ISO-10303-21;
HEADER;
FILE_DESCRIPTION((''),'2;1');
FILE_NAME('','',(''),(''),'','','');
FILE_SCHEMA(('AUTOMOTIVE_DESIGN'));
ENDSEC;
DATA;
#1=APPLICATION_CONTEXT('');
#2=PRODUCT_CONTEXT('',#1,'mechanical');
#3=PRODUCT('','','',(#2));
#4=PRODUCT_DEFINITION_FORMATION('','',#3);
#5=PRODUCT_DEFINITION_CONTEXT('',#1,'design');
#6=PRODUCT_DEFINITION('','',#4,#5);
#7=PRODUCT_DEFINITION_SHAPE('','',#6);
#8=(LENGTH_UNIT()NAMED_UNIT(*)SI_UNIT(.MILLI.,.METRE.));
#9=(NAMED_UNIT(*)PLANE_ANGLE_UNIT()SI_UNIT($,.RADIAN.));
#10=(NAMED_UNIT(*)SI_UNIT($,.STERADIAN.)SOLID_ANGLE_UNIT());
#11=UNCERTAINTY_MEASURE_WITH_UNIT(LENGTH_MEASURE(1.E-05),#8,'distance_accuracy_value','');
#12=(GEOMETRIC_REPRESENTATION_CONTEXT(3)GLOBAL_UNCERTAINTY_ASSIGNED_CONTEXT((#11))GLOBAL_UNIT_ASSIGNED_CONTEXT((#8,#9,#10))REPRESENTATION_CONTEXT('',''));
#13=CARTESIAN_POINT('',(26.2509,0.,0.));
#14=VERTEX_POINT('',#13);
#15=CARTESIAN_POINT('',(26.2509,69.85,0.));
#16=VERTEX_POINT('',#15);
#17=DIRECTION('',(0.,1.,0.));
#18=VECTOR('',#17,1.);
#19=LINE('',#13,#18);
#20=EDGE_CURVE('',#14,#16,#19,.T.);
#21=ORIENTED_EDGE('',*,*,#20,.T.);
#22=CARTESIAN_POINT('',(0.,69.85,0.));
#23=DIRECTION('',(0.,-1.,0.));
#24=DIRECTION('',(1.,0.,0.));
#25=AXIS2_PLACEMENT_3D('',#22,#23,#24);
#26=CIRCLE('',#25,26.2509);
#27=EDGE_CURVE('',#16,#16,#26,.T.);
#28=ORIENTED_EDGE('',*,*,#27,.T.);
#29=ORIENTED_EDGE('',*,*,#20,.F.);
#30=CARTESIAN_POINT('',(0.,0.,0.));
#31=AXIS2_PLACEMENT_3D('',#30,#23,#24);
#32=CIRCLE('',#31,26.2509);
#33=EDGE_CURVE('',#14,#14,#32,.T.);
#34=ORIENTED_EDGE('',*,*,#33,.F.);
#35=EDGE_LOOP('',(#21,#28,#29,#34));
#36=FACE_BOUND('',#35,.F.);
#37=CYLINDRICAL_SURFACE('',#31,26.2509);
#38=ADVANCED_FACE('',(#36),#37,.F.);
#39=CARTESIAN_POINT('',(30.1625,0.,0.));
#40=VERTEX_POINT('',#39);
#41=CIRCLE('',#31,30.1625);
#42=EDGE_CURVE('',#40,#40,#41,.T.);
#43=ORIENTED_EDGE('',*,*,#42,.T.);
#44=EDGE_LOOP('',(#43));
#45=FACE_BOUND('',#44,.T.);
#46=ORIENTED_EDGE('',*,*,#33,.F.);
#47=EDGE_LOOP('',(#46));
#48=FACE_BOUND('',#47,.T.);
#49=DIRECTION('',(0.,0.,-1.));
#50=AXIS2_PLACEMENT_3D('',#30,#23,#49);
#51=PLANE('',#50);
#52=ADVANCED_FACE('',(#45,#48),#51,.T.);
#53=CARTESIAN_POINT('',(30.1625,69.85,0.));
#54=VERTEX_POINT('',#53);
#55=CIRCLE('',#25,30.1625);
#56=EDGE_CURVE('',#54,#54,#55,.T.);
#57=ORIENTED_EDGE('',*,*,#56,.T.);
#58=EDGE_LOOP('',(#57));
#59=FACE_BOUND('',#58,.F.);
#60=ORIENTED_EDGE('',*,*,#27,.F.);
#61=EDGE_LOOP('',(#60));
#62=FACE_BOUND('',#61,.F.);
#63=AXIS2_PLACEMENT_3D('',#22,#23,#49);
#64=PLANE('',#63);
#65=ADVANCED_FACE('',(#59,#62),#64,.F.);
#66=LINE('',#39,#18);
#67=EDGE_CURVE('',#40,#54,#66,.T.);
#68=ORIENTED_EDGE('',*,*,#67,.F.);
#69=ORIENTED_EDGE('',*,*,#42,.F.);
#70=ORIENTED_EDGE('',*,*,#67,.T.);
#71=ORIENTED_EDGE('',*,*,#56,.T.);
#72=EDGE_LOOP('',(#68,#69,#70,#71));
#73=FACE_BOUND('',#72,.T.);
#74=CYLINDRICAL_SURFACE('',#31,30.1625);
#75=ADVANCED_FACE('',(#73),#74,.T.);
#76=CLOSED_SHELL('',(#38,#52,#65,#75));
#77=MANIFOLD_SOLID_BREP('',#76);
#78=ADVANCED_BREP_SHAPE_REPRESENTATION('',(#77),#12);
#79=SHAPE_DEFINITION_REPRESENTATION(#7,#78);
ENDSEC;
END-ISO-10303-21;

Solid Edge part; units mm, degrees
sketch "Sketch1" plane through (0, 0, 0) normal (0, -1, 0) x (1, 0, 0)
  circle A0 centre (0, 0) radius 26.2509
  circle A1 centre (0, 0) radius 30.1625
  dimension "D1" = 60.325
  dimension "D2" = 3.9116
  dimension "D3" = 105.0036
extrude "Protrusion1" add sketch "Sketch1" against normal blind 69.85
